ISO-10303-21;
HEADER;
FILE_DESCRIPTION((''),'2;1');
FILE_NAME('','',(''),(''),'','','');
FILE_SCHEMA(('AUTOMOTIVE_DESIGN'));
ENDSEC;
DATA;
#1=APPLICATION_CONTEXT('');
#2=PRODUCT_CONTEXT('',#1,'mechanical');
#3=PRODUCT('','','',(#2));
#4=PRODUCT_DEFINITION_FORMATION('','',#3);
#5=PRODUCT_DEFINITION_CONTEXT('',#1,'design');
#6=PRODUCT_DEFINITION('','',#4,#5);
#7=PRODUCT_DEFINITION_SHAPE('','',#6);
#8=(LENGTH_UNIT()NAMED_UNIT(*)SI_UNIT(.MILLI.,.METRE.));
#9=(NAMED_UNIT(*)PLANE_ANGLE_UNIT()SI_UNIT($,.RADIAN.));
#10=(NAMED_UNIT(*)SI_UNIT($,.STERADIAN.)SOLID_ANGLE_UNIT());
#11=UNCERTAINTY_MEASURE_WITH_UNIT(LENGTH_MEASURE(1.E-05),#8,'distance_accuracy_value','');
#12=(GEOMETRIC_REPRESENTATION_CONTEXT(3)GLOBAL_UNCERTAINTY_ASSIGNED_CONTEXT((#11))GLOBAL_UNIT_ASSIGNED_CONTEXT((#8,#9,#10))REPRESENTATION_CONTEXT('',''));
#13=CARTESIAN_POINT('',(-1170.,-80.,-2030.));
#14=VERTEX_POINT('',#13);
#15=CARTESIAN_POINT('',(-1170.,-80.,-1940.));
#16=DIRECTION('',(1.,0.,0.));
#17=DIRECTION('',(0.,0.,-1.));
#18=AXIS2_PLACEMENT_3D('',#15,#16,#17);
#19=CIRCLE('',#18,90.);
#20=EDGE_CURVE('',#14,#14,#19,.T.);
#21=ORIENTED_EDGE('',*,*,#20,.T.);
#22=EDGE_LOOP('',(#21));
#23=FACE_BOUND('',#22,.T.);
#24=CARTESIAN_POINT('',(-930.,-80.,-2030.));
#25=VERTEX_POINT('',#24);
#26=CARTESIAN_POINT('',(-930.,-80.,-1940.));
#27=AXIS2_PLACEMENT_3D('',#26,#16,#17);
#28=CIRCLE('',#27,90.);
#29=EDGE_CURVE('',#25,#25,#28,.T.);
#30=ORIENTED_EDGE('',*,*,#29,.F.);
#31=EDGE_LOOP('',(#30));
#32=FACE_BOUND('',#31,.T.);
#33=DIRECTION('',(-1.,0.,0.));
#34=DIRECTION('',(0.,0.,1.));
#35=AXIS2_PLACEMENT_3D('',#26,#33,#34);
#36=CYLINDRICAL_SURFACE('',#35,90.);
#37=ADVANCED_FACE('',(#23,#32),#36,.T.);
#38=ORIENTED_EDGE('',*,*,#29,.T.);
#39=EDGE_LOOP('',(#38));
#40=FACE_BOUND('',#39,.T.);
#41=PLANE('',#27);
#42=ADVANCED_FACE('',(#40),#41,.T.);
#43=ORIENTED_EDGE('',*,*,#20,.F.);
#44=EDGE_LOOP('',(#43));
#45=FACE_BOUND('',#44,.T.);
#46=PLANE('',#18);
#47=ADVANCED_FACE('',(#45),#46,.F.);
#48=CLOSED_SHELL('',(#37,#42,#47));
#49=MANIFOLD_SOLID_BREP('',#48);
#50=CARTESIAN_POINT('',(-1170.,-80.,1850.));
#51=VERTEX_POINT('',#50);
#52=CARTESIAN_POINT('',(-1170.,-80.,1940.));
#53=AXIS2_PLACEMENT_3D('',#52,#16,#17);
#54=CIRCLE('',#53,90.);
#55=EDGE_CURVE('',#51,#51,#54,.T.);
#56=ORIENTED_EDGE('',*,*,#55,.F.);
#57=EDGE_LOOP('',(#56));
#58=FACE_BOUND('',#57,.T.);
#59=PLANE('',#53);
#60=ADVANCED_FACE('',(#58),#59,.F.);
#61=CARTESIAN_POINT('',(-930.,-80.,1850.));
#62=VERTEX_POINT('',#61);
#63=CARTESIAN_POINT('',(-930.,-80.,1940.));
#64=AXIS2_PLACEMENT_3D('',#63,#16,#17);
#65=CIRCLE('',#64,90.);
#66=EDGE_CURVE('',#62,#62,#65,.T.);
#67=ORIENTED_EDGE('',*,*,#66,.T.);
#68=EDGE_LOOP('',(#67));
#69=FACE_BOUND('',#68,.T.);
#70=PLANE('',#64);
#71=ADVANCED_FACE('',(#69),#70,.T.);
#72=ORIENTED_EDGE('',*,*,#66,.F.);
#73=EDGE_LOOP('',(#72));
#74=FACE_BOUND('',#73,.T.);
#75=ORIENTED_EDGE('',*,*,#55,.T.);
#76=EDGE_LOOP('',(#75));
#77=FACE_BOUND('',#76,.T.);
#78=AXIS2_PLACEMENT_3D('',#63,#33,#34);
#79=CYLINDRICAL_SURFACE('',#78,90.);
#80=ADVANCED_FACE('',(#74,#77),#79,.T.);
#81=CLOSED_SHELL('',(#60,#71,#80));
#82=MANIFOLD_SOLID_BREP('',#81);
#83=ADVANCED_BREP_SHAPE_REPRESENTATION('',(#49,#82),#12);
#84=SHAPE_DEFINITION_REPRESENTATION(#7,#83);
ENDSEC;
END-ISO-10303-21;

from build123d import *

# Parameters (mm, degrees)
BOSS_EXTRUDE1_START = -1170
SKETCH1_R           = 90
BOSS_EXTRUDE1_DEPTH = 240
BOSS_EXTRUDE2_START = -1170
SKETCH2_R           = 90
BOSS_EXTRUDE2_DEPTH = 240


with BuildPart() as part:
    # Sketch1 → Boss-Extrude1 (new body)
    with BuildSketch(Plane(origin=(0, 0, 0), x_dir=(0, 0, -1), z_dir=(1, 0, 0)).offset(BOSS_EXTRUDE1_START)):
        with Locations((1940, -80)):
            Circle(SKETCH1_R)
    extrude(amount=BOSS_EXTRUDE1_DEPTH)


with BuildPart() as body_2:
    # Sketch2 → Boss-Extrude2 (new body)
    with BuildSketch(Plane(origin=(0, 0, 0), x_dir=(0, 0, -1), z_dir=(1, 0, 0)).offset(BOSS_EXTRUDE2_START)):
        with Locations((-1940, -80)):
            Circle(SKETCH2_R)
    extrude(amount=BOSS_EXTRUDE2_DEPTH)


solid = Compound([part.part, body_2.part])
